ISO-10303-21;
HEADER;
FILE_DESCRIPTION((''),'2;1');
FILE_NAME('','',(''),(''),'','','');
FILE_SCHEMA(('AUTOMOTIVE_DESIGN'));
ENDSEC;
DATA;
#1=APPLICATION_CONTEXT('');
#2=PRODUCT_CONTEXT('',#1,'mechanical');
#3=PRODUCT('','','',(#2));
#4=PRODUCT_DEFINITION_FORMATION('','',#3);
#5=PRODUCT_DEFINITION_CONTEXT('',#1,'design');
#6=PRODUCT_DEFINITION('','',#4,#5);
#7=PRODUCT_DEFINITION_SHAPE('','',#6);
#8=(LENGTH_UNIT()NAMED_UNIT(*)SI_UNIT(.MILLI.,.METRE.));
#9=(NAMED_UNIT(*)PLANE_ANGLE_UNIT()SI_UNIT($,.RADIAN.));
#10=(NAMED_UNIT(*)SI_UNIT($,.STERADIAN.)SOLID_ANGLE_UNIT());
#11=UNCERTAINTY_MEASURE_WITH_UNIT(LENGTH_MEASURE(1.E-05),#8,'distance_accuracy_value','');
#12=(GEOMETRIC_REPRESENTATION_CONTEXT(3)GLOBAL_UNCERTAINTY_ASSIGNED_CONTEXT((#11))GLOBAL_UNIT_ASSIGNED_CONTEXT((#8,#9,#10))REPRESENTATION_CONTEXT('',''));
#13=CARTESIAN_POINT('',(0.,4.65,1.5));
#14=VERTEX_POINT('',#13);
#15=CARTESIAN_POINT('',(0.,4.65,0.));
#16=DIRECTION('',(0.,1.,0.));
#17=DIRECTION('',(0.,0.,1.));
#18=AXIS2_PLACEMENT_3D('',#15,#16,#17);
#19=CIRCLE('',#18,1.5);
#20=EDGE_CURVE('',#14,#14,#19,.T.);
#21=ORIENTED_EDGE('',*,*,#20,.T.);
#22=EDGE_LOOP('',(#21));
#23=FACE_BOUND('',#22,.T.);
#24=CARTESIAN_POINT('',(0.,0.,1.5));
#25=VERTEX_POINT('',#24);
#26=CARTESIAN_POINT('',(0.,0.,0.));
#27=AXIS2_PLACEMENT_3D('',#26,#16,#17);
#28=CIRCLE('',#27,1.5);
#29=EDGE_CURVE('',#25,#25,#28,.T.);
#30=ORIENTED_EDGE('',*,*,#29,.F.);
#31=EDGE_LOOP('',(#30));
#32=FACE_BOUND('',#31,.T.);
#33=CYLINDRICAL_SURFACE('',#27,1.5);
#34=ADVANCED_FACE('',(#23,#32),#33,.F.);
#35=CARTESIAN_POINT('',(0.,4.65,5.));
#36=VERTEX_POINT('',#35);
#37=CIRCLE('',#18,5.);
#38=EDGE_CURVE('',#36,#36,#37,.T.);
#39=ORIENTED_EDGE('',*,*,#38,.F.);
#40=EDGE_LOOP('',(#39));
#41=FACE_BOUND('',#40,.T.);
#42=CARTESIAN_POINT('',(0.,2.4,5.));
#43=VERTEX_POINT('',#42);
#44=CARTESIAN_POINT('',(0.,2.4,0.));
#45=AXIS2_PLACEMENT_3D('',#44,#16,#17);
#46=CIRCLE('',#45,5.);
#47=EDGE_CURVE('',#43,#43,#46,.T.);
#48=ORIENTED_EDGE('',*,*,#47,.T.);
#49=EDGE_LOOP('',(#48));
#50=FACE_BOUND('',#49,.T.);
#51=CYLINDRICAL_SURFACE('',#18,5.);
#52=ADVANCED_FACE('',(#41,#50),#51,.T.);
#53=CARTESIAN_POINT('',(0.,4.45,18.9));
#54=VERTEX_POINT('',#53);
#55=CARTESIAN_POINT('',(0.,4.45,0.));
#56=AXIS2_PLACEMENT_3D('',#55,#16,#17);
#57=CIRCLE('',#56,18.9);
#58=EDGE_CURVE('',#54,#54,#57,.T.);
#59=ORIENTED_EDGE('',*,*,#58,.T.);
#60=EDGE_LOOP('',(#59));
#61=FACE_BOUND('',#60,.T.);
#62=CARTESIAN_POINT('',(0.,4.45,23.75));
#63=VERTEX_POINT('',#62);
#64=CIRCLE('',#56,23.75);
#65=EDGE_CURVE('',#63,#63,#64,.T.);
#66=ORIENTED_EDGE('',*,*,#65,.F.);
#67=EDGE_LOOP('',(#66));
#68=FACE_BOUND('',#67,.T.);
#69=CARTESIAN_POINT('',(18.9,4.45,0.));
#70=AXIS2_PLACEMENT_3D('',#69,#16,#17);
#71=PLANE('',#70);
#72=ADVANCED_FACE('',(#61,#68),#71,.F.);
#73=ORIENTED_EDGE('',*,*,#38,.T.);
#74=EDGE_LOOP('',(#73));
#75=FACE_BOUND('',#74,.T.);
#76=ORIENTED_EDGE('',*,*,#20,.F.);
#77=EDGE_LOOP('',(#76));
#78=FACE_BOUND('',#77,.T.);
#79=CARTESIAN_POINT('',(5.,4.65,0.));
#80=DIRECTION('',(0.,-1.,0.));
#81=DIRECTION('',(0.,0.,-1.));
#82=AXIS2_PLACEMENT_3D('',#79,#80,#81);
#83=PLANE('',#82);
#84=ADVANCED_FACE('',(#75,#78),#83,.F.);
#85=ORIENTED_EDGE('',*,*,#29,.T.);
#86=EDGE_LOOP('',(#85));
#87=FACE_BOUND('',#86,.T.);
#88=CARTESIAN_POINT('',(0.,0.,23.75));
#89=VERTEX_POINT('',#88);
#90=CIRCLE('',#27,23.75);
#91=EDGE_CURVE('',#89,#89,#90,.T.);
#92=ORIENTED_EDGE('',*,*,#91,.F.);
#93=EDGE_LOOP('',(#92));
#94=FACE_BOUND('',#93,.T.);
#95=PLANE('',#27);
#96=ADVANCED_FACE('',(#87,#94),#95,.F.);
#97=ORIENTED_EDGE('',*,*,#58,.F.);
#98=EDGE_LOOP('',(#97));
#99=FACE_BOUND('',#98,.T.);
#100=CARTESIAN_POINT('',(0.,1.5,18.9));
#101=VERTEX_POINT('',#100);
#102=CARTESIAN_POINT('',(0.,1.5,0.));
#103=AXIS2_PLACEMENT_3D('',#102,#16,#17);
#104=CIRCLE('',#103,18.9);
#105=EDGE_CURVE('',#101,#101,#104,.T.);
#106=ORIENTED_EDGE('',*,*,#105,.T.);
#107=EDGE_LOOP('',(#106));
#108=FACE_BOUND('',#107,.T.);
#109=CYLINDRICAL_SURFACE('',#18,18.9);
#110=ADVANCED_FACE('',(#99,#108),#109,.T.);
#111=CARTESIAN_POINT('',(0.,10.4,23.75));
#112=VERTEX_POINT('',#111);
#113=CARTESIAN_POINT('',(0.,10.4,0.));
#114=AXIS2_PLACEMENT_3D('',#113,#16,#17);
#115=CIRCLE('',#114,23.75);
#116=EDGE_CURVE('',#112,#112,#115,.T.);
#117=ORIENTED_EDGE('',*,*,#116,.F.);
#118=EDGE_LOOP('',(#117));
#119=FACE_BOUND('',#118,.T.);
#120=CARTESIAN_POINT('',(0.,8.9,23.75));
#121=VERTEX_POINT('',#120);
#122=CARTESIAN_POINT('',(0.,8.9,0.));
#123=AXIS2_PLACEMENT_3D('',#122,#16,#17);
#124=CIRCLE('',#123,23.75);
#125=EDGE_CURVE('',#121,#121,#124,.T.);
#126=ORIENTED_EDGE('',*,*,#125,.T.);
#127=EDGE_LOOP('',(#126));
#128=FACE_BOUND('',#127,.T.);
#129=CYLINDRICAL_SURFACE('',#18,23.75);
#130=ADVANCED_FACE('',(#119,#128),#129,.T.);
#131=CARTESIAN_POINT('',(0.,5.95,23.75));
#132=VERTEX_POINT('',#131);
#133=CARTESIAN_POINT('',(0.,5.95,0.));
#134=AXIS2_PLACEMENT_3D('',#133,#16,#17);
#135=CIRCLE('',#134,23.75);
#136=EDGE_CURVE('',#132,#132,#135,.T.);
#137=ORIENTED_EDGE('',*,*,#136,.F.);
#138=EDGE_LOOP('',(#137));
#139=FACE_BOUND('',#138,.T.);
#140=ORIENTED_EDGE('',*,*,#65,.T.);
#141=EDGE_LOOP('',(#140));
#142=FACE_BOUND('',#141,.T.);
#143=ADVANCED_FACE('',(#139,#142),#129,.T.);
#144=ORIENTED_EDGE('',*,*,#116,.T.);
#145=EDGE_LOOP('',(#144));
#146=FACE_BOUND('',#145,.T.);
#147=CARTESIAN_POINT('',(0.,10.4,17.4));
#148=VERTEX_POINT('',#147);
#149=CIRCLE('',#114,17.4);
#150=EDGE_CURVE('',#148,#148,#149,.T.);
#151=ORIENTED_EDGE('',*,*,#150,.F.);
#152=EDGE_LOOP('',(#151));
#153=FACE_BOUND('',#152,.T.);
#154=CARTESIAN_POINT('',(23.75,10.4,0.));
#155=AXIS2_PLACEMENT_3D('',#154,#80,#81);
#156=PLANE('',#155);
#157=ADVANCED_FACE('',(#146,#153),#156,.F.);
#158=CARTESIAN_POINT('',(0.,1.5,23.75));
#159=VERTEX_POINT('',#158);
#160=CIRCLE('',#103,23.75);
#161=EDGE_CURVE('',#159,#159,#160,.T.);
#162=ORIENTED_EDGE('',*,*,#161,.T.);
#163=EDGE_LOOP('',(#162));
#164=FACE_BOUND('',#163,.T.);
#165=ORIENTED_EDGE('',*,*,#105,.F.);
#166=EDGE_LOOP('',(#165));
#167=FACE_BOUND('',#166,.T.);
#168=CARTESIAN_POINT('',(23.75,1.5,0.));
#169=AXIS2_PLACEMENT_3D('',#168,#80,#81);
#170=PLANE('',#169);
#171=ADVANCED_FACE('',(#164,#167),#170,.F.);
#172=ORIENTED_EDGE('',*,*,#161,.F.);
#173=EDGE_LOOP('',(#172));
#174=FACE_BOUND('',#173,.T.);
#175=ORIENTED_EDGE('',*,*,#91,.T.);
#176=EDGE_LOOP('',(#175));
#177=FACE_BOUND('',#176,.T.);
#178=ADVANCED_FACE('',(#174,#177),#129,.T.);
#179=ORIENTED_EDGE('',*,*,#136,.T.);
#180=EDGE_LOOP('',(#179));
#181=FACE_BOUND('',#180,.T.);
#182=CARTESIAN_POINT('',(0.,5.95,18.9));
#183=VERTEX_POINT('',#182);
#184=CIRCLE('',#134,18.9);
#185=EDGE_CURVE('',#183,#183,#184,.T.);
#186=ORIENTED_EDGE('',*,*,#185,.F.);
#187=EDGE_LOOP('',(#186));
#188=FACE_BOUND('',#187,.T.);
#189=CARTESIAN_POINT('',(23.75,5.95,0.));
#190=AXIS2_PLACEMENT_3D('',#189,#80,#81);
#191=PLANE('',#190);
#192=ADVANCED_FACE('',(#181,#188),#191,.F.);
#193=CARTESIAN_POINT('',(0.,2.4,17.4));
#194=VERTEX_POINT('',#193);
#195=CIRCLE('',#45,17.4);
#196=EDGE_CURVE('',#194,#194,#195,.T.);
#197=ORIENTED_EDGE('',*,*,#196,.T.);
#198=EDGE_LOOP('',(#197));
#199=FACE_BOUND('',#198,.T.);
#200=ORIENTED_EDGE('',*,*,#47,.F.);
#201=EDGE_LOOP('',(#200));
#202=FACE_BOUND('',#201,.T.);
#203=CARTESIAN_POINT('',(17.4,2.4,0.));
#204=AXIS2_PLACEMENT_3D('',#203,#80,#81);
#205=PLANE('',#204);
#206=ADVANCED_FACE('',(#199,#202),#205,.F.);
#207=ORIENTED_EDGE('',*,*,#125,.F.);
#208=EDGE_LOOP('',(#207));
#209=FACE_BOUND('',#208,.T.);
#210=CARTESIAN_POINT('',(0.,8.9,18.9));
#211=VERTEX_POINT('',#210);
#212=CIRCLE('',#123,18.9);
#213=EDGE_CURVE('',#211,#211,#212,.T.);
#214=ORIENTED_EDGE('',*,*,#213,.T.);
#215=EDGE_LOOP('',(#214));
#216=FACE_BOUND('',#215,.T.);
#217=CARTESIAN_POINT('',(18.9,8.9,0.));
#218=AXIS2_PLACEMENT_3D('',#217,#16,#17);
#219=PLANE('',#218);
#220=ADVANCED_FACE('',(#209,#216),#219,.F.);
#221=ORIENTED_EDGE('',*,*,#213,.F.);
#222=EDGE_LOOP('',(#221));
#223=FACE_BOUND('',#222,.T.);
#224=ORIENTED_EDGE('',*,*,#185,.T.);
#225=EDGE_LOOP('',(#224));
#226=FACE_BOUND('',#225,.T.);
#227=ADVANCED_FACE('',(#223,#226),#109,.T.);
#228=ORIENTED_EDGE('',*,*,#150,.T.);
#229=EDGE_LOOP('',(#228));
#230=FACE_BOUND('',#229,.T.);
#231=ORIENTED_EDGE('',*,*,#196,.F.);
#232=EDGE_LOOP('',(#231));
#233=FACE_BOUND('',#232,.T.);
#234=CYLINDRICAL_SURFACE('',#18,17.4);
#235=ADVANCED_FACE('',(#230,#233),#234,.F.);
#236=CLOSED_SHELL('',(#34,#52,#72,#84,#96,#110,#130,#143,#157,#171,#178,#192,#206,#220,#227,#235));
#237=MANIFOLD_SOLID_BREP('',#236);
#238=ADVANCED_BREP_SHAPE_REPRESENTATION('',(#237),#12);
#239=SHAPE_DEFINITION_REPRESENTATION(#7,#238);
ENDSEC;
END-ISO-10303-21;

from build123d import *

# Parameters (mm, degrees)
SKETCH2_R          = 1.5
CUT_EXTRUDE1_DEPTH = 5.65


with BuildPart() as part:
    # Sketch1 → Revolve1 (revolve)
    with BuildSketch(Plane.XY):
        Polygon((0, 0), (23.75, 0), (23.75, 1.5), (18.9, 1.5), (18.9, 4.45), (23.75, 4.45), (23.75, 5.95), (18.9, 5.95), (18.9, 8.9), (23.75, 8.9), (23.75, 10.4), (17.4, 10.4), (17.4, 2.4), (5, 2.4), (5, 4.65), (0, 4.65), align=None)
    revolve(axis=Axis((0, 4.65, 0), (0, -1, 0)))

    # Sketch2 → Cut-Extrude1 (cut, through all)
    with BuildSketch(Plane(origin=(0, 4.65, 0), x_dir=(1, 0, 0), z_dir=(0, 1, 0))):
        Circle(SKETCH2_R)
    extrude(amount=-CUT_EXTRUDE1_DEPTH, mode=Mode.SUBTRACT)


solid = part.part
